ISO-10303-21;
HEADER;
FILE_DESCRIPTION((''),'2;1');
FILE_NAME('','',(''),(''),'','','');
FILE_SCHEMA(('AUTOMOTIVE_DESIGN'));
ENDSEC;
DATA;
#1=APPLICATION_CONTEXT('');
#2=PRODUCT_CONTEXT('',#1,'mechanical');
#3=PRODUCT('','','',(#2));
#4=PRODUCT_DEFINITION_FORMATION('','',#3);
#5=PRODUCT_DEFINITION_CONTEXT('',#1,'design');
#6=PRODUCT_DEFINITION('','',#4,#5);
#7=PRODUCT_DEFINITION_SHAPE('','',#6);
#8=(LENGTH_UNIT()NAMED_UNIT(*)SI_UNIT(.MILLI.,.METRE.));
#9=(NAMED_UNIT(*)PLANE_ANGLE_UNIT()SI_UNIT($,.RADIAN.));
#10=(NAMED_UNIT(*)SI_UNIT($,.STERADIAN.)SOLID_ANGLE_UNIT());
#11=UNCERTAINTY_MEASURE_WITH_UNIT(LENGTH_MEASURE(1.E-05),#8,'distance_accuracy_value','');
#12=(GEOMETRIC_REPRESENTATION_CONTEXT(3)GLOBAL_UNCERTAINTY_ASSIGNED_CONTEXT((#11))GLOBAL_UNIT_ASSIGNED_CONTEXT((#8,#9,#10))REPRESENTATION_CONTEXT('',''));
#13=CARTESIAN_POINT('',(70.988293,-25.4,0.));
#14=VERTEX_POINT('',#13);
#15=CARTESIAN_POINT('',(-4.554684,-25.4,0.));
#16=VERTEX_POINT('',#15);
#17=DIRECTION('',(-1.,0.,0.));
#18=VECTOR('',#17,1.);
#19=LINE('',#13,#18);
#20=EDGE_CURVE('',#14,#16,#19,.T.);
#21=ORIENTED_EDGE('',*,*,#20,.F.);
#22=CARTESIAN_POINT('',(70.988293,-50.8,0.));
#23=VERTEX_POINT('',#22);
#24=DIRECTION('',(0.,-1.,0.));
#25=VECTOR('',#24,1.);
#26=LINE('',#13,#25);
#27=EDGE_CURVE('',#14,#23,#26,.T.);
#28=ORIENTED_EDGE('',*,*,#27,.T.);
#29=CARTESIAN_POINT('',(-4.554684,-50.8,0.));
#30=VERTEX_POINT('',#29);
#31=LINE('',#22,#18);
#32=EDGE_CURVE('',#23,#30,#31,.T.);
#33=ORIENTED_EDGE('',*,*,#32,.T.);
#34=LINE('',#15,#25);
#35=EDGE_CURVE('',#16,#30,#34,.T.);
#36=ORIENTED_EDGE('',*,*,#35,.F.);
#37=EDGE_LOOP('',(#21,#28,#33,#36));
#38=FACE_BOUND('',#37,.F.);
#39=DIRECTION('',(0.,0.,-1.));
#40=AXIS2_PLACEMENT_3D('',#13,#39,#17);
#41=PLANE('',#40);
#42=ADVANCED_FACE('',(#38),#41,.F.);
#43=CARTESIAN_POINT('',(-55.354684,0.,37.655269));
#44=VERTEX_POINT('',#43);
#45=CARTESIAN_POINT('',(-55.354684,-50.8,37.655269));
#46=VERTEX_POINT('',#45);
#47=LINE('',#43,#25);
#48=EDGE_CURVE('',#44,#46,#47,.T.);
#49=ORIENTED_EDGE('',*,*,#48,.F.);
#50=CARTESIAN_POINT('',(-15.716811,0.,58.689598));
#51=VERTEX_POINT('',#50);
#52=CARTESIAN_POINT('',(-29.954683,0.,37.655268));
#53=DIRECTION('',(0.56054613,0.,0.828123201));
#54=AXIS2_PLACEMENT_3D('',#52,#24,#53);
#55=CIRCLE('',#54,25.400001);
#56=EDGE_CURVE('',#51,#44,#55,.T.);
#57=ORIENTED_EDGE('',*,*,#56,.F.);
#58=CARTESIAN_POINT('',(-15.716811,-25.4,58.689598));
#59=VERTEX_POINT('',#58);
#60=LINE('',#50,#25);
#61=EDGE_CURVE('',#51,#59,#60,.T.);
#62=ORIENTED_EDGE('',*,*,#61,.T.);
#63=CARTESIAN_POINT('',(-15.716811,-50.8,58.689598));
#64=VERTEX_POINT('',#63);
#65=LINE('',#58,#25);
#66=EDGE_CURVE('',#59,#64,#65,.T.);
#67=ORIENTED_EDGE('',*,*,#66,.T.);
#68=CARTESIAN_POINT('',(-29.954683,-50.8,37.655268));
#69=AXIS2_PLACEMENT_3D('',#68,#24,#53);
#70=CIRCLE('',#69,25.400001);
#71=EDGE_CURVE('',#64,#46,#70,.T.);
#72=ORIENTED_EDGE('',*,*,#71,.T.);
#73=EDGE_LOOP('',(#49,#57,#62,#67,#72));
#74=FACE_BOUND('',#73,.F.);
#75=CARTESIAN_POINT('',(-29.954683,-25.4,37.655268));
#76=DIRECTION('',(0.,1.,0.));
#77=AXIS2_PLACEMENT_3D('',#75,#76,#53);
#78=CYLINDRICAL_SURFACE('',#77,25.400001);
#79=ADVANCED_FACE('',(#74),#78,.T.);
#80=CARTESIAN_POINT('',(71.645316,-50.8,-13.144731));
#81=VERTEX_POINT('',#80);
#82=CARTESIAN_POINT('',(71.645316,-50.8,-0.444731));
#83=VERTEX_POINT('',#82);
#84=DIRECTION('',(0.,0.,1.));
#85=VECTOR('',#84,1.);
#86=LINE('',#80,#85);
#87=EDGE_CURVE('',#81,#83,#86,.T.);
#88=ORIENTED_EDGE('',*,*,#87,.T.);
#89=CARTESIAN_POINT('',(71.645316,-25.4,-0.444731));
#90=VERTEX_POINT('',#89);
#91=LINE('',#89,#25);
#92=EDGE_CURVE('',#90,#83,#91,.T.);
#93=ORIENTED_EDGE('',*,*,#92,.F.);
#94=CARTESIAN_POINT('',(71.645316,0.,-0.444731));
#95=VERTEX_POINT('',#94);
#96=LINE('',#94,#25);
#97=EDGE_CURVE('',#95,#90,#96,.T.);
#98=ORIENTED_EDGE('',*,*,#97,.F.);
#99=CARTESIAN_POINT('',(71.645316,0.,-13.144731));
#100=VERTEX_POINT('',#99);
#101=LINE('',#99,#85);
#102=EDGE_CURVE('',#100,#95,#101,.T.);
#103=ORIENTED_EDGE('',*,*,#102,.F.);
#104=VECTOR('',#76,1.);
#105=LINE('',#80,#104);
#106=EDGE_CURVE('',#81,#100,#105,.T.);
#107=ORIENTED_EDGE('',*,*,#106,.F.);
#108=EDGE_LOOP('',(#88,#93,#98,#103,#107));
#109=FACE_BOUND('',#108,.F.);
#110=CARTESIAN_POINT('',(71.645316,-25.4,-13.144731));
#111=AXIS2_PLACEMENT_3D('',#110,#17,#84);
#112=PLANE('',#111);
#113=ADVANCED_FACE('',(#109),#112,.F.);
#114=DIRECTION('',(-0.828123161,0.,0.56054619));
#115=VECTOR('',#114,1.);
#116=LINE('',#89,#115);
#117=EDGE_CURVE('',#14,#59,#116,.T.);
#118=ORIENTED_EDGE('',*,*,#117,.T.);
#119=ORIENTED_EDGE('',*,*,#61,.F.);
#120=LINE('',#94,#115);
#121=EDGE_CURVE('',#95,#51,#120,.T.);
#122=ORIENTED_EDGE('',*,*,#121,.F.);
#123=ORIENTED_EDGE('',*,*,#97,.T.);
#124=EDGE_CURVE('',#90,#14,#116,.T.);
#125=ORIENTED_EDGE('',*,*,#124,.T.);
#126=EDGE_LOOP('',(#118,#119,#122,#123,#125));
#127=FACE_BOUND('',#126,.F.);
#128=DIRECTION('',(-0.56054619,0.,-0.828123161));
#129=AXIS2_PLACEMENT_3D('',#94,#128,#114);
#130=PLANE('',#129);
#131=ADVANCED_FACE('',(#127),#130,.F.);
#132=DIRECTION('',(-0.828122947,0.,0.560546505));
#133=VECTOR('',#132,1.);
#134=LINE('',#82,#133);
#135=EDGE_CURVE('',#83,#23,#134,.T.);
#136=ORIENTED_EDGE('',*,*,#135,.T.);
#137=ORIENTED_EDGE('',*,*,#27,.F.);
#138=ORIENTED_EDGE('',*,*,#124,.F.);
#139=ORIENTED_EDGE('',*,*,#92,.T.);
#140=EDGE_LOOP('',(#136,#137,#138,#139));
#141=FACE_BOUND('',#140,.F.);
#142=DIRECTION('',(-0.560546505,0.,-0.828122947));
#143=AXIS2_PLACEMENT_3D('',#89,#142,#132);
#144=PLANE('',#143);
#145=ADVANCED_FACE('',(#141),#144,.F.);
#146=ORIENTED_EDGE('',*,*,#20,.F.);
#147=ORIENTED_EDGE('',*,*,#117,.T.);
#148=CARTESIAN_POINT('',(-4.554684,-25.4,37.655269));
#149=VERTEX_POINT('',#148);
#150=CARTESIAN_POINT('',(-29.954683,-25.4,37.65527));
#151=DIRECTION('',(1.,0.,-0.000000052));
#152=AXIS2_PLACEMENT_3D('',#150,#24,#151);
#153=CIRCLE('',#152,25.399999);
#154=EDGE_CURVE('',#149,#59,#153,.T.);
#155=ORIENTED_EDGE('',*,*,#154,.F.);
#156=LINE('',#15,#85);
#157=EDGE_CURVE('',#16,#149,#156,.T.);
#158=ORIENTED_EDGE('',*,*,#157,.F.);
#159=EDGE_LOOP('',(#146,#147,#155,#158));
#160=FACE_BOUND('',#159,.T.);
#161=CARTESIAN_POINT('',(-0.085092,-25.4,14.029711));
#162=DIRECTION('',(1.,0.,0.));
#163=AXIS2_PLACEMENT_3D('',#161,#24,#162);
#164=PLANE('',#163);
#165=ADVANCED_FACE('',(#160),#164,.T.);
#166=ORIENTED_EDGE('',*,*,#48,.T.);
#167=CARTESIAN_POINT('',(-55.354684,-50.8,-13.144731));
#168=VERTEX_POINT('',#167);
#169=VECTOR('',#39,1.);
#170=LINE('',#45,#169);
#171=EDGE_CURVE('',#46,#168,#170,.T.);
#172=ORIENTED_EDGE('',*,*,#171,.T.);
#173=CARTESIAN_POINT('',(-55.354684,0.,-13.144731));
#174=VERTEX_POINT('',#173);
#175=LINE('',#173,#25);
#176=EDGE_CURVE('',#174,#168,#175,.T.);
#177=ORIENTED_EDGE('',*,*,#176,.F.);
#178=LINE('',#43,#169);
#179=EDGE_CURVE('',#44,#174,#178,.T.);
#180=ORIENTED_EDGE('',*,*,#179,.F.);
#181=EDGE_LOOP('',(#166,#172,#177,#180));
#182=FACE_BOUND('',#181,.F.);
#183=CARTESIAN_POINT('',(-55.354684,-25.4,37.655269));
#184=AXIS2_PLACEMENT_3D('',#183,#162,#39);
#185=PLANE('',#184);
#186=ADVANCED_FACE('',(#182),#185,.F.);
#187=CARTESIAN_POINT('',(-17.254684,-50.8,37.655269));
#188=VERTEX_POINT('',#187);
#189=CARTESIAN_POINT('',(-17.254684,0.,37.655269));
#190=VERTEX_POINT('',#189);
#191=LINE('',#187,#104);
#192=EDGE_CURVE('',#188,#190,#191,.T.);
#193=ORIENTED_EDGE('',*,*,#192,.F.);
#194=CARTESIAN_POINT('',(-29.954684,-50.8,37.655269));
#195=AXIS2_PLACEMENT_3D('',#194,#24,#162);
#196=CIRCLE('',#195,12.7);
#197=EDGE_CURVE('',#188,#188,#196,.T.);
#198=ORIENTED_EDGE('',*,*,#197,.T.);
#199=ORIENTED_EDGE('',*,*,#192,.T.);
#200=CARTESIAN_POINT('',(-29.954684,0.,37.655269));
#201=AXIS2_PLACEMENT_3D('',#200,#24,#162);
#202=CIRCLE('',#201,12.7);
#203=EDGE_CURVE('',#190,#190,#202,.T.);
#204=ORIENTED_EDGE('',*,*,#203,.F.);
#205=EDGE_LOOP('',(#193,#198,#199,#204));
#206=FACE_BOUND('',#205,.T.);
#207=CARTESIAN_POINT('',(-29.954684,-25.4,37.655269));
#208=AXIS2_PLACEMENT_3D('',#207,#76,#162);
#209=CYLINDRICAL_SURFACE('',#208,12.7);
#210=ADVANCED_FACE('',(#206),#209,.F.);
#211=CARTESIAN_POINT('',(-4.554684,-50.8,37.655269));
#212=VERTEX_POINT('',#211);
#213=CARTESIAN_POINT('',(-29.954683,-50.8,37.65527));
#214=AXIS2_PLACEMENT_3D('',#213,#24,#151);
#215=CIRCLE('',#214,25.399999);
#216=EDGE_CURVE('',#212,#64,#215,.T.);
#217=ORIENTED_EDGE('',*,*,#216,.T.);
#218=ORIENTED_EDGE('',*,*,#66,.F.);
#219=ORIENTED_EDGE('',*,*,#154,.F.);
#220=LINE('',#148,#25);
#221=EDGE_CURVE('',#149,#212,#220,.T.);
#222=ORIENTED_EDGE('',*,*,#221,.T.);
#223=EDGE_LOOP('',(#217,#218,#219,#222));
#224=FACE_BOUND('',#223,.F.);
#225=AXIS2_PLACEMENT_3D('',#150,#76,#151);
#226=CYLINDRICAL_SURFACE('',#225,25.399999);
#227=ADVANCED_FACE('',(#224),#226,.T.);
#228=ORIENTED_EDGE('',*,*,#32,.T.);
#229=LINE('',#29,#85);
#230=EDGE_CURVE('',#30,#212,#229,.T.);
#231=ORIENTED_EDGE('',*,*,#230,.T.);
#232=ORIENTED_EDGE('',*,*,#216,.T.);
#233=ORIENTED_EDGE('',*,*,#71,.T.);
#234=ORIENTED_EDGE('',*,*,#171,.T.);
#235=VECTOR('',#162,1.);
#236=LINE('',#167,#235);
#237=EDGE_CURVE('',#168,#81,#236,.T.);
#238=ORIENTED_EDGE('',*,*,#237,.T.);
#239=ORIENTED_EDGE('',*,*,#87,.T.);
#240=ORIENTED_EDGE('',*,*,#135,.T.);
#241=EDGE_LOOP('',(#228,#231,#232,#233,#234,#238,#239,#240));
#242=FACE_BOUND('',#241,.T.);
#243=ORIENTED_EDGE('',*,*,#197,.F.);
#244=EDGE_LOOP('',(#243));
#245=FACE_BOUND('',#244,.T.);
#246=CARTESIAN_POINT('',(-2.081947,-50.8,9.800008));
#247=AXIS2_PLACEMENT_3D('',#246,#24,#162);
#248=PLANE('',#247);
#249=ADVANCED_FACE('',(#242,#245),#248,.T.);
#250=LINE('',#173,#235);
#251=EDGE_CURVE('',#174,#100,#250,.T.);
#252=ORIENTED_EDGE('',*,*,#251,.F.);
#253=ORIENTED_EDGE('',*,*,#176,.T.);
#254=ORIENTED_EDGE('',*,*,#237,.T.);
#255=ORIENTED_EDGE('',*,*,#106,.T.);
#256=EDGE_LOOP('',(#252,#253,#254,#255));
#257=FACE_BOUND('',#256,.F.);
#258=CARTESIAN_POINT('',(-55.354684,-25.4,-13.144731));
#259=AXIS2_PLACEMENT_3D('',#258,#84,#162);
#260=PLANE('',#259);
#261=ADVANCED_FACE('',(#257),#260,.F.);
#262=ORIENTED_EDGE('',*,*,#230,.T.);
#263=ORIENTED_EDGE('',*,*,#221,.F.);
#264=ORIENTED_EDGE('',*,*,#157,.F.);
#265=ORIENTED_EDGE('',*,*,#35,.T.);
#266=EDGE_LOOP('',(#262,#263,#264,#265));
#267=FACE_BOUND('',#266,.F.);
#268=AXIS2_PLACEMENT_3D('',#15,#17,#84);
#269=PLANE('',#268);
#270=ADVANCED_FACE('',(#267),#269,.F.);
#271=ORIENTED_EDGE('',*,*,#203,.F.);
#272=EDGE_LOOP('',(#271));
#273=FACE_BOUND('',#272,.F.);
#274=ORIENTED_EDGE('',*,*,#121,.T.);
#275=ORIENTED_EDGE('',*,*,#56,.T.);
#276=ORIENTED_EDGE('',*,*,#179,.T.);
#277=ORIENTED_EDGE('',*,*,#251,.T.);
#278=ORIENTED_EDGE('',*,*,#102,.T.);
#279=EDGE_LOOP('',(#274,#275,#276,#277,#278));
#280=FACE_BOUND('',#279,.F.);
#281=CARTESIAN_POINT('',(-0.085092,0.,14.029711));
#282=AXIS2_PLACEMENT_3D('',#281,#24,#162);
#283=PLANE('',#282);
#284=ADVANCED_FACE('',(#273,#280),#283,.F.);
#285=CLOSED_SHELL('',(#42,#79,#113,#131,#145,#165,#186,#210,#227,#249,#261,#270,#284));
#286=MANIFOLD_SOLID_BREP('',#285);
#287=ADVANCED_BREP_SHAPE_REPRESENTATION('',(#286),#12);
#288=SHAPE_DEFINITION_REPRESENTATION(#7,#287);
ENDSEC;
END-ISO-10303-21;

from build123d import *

# Parameters (mm, degrees)
F0_R     = 12.7
F1_DEPTH = 25.4
F2_R     = 12.7
F3_DEPTH = 25.4


with BuildPart() as f1:
    # F0 (on Front) → F1 (new body)
    with BuildSketch(Plane.XZ):
        with BuildLine():
            Line((71.645316, -0.444731), (-15.716811, 58.689598))
            ThreePointArc((-15.716811, 58.689598), (-41.860943, 60.091868), (-55.354684, 37.655269))
            Line((-55.354684, 37.655269), (-55.354684, -13.144731))
            Line((-55.354684, -13.144731), (71.645316, -13.144731))
            Line((71.645316, -13.144731), (71.645316, -0.444731))
        make_face()
        with Locations((-29.954684, 37.655269)):
            Circle(F0_R, mode=Mode.SUBTRACT)
    extrude(amount=F1_DEPTH)

    # F2 (on face) → F3 (join)
    with BuildSketch(Plane.XZ.offset(25.4)):
        with BuildLine():
            Line((-4.554684, 0), (-4.554684, 37.655269))
            ThreePointArc((-4.554684, 37.655269), (-7.518084, 49.561528), (-15.716811, 58.689598))
            ThreePointArc((-15.716811, 58.689598), (-41.860943, 60.091868), (-55.354684, 37.655269))
            Line((-55.354684, 37.655269), (-55.354684, 0))
            Line((-55.354684, 0), (-55.354684, -13.144731))
            Line((-55.354684, -13.144731), (71.645316, -13.144731))
            Line((71.645316, -13.144731), (71.645316, -0.444731))
            Line((71.645316, -0.444731), (70.988293, 0))
            Line((70.988293, 0), (-4.554684, 0))
        make_face()
        with Locations((-29.954684, 37.655269)):
            Circle(F2_R, mode=Mode.SUBTRACT)
    extrude(amount=F3_DEPTH)


solid = f1.part
